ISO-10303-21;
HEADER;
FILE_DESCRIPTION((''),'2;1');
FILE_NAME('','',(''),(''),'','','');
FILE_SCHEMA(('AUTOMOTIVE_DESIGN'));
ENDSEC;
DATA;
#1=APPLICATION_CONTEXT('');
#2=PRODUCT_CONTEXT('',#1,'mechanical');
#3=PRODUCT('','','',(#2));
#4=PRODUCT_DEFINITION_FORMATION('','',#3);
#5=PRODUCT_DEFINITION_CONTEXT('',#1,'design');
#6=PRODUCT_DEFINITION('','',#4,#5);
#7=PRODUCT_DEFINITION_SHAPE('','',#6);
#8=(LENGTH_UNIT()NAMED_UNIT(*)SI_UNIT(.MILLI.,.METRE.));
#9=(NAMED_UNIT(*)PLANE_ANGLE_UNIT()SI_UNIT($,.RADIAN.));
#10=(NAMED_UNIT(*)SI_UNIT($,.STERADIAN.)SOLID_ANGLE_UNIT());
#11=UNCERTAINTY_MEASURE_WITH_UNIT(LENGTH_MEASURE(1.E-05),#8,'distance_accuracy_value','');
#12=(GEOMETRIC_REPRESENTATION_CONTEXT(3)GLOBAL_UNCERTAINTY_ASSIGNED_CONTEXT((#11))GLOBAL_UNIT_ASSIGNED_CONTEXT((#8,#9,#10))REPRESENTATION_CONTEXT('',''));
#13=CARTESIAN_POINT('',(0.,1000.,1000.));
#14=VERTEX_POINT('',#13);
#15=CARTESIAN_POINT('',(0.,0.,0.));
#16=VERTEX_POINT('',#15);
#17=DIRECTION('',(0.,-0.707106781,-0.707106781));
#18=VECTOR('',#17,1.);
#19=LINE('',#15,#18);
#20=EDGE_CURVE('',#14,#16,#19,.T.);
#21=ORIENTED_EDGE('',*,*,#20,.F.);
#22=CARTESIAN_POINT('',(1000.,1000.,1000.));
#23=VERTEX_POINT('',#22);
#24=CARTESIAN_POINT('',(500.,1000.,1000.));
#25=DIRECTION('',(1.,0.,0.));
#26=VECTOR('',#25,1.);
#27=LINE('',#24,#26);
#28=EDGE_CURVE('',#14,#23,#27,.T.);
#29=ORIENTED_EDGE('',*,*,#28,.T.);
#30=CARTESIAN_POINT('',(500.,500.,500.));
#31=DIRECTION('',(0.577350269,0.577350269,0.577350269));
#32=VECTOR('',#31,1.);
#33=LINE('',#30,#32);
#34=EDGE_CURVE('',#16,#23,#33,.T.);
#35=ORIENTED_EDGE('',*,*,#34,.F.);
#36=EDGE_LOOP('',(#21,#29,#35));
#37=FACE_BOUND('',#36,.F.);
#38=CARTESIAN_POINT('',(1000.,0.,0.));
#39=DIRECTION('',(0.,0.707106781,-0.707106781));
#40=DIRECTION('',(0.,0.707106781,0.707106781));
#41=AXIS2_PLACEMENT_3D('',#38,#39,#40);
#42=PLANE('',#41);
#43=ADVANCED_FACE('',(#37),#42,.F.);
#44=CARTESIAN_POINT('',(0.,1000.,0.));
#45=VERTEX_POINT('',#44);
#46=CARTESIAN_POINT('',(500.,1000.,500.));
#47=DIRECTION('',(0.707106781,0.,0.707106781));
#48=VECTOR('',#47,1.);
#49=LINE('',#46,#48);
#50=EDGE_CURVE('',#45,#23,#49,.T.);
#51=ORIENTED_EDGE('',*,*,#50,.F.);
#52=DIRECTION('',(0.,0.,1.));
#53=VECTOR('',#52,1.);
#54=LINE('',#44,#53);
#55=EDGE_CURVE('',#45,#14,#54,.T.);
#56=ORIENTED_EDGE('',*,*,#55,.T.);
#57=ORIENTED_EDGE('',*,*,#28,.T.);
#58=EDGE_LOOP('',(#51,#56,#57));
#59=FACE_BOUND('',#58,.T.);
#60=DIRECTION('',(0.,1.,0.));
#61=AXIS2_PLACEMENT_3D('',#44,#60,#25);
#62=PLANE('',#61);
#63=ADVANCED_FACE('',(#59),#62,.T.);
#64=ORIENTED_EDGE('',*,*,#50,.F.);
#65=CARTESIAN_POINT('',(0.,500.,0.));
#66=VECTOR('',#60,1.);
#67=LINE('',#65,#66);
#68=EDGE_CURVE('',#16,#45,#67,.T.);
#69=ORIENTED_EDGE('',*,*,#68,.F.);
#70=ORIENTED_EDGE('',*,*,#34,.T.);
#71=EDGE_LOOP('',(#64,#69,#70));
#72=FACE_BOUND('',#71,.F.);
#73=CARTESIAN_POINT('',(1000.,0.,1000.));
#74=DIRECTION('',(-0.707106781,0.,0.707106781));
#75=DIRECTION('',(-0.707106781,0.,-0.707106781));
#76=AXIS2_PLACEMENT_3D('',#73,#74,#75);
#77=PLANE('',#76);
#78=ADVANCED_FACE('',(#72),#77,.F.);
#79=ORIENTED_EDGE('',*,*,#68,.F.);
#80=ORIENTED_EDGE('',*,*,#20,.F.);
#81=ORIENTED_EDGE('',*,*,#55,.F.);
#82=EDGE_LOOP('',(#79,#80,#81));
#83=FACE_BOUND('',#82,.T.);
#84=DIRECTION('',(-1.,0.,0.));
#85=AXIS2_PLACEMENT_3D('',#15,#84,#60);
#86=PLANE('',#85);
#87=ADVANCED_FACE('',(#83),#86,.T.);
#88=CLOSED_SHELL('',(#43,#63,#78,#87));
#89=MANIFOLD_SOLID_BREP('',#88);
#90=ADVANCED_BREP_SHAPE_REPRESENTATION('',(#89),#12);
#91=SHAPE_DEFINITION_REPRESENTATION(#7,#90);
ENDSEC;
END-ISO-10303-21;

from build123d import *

# Parameters (mm, degrees)
F0_W     = 1000
F0_H     = 1000
F1_DEPTH = 1000
F4_DEPTH = 1000.001
F5_DEPTH = 1000.001


with BuildPart() as f1:
    # F0 (on Top) → F1 (new body)
    with BuildSketch(Plane.XY):
        with Locations((500, 500)):
            Rectangle(F0_W, F0_H)
    extrude(amount=F1_DEPTH)

    # F2 (on face) → F4 (cut, through all)
    with BuildSketch(Plane.YZ.offset(1000)):
        Polygon((0, 0), (1000, 1000), (0, 1000), align=None)
    extrude(amount=-F4_DEPTH, mode=Mode.SUBTRACT)

    # F3 (on face) → F5 (cut, through all)
    with BuildSketch(Plane.XZ):
        Polygon((1000, 0), (1000, 1000), (0, 0), align=None)
    extrude(amount=-F5_DEPTH, mode=Mode.SUBTRACT)


solid = f1.part
